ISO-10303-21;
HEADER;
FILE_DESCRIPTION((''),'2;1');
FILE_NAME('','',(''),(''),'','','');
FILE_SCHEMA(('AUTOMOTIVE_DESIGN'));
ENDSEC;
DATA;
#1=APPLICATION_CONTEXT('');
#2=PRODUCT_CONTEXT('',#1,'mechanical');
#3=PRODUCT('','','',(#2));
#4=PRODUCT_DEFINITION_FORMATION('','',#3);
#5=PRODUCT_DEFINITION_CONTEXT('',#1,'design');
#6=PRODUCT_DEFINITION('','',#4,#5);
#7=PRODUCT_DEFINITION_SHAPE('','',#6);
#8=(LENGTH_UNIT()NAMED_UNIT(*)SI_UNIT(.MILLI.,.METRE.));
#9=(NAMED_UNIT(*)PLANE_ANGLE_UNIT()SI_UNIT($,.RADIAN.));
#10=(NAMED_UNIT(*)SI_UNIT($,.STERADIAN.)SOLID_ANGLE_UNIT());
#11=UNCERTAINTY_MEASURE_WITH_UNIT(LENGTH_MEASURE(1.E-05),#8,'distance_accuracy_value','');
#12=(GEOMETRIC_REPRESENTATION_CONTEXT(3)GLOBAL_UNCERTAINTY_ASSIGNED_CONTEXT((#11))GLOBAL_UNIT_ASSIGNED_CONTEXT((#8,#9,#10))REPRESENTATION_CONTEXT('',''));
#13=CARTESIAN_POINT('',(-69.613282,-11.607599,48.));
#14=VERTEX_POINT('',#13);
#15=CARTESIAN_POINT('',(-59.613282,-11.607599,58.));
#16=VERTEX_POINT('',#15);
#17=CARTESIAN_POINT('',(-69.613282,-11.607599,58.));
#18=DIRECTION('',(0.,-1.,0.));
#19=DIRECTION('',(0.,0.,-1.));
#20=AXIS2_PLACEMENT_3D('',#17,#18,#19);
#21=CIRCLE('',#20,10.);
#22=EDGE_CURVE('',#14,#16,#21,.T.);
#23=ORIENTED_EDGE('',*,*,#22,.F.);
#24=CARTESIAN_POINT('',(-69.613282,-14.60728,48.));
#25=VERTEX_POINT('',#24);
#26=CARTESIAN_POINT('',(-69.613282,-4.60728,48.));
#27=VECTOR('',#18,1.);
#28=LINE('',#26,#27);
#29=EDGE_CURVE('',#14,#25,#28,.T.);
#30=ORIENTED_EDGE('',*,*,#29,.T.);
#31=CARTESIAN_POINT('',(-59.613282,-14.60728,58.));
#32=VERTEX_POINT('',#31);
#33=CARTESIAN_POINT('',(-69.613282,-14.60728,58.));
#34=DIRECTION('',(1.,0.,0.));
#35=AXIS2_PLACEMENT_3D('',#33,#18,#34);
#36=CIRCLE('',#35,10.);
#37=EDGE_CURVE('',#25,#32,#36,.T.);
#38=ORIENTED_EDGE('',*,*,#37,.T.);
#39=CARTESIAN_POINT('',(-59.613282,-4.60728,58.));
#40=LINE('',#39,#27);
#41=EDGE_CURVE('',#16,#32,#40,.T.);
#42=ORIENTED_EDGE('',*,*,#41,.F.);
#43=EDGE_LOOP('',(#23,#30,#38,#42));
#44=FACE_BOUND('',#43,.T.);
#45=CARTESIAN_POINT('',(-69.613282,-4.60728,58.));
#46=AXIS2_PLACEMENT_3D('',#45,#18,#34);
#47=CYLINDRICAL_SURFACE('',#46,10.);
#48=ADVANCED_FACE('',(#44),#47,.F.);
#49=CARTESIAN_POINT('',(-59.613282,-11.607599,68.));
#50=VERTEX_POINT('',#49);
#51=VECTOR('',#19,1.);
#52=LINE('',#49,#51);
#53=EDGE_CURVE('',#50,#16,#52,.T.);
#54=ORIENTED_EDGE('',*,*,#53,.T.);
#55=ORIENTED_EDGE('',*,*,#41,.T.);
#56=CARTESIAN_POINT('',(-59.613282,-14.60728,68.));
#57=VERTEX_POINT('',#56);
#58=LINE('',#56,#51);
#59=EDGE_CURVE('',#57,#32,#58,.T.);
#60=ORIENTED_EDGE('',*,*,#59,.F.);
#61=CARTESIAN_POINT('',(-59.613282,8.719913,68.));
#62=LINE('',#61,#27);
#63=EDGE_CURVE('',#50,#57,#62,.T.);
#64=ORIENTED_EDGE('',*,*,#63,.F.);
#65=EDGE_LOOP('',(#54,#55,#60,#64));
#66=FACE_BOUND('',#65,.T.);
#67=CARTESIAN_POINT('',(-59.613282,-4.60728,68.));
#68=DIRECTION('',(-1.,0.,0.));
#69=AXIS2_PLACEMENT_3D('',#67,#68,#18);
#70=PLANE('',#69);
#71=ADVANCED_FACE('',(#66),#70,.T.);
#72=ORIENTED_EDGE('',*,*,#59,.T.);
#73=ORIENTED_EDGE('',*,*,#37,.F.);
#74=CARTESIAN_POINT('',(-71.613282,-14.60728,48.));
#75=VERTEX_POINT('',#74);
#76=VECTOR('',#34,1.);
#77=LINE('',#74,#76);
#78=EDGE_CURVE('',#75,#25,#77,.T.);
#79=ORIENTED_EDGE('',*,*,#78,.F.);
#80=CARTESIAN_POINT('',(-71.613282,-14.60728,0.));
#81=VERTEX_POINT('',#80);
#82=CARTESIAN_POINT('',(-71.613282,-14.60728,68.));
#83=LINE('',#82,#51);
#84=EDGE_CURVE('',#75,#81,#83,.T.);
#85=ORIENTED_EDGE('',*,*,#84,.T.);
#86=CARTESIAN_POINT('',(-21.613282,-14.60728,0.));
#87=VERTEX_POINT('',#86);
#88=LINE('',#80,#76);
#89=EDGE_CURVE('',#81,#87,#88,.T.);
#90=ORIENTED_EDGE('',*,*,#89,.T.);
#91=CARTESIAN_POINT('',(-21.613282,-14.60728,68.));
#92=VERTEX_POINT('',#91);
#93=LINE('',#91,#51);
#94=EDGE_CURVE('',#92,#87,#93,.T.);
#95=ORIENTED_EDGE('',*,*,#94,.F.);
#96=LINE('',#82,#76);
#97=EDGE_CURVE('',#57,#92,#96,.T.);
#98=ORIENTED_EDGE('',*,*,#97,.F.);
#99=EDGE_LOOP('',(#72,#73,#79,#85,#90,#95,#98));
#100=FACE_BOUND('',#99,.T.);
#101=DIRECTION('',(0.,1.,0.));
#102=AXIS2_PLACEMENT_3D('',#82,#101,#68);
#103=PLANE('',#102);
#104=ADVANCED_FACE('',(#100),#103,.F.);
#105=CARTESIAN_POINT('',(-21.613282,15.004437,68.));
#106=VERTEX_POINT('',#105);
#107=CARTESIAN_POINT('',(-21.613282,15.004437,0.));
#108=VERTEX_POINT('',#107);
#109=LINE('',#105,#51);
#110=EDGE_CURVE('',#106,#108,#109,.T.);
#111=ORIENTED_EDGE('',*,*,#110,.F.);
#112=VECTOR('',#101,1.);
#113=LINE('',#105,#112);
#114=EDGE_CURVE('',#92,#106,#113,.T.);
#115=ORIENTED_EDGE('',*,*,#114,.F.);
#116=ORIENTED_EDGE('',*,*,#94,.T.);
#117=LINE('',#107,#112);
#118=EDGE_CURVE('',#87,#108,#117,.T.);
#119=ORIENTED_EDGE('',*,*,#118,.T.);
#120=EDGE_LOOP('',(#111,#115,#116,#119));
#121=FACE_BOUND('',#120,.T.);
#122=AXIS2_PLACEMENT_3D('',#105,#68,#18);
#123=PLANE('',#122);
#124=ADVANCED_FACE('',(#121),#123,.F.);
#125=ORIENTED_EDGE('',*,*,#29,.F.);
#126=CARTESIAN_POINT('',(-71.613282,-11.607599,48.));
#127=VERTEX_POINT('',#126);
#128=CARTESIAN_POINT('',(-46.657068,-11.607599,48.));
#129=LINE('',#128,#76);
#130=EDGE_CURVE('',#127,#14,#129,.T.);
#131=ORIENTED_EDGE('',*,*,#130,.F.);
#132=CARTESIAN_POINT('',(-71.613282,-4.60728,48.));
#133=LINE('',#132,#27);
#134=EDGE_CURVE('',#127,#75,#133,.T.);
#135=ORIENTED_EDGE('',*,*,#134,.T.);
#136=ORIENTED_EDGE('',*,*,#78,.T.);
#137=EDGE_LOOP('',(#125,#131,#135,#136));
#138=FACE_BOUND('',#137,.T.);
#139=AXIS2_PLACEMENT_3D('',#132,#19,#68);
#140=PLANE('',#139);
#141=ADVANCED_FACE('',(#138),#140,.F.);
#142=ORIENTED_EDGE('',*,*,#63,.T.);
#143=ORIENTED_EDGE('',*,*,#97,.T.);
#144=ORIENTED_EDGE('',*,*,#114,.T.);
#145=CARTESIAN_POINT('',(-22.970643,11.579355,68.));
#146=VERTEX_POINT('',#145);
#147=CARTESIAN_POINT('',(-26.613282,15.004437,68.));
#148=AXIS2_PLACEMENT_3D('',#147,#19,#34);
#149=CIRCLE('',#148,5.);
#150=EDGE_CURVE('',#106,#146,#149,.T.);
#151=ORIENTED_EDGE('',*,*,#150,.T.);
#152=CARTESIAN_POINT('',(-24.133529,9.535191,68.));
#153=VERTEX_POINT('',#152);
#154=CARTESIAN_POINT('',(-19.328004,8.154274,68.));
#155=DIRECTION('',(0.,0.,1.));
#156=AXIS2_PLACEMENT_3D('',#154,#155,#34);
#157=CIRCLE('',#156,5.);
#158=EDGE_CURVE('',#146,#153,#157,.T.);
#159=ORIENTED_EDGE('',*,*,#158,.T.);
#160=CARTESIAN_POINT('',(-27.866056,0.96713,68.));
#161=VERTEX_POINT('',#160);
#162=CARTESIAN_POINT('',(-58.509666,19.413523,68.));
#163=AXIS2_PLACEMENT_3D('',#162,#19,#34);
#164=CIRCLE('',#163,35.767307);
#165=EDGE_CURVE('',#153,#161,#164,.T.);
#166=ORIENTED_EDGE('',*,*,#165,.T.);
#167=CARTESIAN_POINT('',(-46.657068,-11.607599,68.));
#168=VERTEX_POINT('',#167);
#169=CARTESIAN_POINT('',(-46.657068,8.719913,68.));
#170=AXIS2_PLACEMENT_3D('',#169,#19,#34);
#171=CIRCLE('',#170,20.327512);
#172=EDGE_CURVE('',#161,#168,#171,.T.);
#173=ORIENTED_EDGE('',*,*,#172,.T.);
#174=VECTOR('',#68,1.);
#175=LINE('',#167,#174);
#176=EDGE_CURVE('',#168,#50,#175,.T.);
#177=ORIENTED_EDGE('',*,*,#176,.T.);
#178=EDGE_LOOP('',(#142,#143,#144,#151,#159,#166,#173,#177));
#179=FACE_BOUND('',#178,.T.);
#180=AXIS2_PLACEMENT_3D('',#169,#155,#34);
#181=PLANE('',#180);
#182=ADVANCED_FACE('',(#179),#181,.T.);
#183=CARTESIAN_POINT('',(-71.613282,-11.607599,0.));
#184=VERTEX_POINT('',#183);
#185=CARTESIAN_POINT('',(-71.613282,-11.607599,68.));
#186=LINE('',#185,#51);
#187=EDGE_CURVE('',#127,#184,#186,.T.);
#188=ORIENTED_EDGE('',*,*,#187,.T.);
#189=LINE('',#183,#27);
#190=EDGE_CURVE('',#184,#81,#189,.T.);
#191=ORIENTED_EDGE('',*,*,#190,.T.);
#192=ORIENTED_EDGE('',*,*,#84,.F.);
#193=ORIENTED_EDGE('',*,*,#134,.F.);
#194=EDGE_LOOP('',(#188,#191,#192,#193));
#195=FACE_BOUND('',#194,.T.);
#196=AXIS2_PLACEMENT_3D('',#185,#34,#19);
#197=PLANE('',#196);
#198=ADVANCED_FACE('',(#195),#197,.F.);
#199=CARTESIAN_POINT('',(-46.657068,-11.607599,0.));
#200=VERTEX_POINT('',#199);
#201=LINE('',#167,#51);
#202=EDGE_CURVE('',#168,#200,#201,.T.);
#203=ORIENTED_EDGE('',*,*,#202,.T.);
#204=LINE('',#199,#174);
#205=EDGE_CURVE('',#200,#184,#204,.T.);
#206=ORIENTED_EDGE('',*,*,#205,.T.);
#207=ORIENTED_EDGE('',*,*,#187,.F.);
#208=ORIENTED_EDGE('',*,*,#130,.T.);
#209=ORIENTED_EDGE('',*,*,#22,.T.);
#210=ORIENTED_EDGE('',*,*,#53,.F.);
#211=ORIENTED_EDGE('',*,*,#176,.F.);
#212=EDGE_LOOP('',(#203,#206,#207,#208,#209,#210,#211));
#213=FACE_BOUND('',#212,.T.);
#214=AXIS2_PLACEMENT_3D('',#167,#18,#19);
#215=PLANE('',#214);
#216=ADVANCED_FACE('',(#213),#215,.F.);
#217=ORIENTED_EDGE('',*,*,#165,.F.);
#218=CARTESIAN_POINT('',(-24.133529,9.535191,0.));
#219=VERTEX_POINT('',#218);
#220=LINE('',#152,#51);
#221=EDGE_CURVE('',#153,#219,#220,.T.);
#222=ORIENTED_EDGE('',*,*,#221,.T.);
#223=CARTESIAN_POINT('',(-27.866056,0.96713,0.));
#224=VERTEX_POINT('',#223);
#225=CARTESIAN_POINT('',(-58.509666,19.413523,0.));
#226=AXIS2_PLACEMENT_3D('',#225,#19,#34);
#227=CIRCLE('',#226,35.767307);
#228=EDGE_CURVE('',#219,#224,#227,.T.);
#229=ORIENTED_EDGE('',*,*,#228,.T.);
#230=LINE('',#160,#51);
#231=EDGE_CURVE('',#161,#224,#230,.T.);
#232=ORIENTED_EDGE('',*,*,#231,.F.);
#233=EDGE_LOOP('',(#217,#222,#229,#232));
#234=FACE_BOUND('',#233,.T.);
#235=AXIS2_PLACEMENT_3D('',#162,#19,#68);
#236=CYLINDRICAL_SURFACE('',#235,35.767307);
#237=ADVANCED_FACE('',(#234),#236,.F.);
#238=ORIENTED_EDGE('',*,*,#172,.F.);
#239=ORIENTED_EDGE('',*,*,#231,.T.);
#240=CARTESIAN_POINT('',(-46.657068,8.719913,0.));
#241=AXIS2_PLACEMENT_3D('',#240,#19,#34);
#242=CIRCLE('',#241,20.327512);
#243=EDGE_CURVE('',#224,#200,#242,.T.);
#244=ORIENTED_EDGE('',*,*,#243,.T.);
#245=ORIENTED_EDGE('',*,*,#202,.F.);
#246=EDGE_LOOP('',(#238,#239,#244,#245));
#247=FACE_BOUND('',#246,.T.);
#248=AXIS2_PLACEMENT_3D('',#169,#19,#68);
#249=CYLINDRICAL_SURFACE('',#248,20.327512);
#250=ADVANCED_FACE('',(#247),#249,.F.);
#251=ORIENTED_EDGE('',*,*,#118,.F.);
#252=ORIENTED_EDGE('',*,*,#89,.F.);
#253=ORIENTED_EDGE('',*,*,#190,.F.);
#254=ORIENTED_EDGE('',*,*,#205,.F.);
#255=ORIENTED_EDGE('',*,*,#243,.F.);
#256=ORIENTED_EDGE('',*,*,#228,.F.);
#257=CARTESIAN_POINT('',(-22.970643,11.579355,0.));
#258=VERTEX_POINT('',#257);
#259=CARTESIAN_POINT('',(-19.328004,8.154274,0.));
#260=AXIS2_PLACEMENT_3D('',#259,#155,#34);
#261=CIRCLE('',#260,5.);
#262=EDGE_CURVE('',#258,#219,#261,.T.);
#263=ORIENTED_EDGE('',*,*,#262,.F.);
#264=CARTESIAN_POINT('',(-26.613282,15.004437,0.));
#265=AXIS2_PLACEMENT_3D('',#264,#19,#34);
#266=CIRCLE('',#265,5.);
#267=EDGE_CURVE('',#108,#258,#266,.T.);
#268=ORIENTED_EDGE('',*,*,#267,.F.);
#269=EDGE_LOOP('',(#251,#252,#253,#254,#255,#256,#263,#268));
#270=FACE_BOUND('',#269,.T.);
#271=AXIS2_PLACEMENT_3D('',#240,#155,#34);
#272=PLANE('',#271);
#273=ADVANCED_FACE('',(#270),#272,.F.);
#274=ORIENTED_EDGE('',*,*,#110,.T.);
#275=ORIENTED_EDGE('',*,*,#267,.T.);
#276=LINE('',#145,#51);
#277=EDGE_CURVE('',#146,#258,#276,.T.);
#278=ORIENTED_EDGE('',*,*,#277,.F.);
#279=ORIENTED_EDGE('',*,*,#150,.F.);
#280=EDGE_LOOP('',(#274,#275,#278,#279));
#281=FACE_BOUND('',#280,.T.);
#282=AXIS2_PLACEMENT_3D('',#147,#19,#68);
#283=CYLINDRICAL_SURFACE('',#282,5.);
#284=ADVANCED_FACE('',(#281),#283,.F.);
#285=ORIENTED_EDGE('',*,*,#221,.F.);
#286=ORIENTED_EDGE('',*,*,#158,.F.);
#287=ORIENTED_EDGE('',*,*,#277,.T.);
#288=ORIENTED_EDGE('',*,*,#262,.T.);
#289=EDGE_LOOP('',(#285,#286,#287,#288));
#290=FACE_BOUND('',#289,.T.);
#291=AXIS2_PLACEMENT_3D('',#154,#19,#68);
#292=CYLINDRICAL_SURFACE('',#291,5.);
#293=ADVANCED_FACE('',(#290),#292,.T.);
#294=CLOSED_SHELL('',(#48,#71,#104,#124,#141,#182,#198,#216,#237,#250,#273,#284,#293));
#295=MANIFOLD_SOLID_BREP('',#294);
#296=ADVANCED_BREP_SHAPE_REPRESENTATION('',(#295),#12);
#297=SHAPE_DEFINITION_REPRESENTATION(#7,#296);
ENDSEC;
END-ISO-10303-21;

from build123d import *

# Parameters (mm, degrees)
BOSS_EXTRUDE1_DEPTH = 68
CUT_EXTRUDE1_DEPTH  = 10


with BuildPart() as part:
    # Sketch2 → Boss-Extrude1 (new body)
    with BuildSketch(Plane.XY):
        with BuildLine():
            Line((-46.657067634, -11.60759921), (-71.613281954, -11.60759921))
            Line((-71.613281954, -11.60759921), (-71.613281954, -14.607279662))
            Line((-71.613281954, -14.607279662), (-21.613281954, -14.607279662))
            Line((-21.613281954, -14.607279662), (-21.613281954, 15.004436623))
            ThreePointArc((-21.613281954, 15.004436623), (-21.964992236, 13.162317544), (-22.970643034, 11.579355354))
            ThreePointArc((-22.970643034, 11.579355354), (-23.673981627, 10.626616994), (-24.133529038, 9.535190525))
            ThreePointArc((-24.133529038, 9.535190525), (-25.71874065, 5.128724796), (-27.866056136, 0.967129876))
            ThreePointArc((-27.866056136, 0.967129876), (-35.351914775, -8.173910524), (-46.657067634, -11.60759921))
        make_face()
    extrude(amount=BOSS_EXTRUDE1_DEPTH)

    # Sketch3 → Cut-Extrude1 (cut)
    with BuildSketch(Plane(origin=(0, -14.607279662, 0), x_dir=(-1, 0, 0), z_dir=(0, -1, 0))):
        with BuildLine():
            Line((71.613281954, -68), (59.613281954, -68))
            Line((59.613281954, -68), (59.613281954, -58))
            ThreePointArc((59.613281954, -58), (62.542214142, -50.928932188), (69.613281954, -48))
            Line((69.613281954, -48), (71.613281954, -48))
            Line((71.613281954, -48), (71.613281954, -68))
        make_face()
    extrude(amount=-CUT_EXTRUDE1_DEPTH, mode=Mode.SUBTRACT)


solid = part.part
